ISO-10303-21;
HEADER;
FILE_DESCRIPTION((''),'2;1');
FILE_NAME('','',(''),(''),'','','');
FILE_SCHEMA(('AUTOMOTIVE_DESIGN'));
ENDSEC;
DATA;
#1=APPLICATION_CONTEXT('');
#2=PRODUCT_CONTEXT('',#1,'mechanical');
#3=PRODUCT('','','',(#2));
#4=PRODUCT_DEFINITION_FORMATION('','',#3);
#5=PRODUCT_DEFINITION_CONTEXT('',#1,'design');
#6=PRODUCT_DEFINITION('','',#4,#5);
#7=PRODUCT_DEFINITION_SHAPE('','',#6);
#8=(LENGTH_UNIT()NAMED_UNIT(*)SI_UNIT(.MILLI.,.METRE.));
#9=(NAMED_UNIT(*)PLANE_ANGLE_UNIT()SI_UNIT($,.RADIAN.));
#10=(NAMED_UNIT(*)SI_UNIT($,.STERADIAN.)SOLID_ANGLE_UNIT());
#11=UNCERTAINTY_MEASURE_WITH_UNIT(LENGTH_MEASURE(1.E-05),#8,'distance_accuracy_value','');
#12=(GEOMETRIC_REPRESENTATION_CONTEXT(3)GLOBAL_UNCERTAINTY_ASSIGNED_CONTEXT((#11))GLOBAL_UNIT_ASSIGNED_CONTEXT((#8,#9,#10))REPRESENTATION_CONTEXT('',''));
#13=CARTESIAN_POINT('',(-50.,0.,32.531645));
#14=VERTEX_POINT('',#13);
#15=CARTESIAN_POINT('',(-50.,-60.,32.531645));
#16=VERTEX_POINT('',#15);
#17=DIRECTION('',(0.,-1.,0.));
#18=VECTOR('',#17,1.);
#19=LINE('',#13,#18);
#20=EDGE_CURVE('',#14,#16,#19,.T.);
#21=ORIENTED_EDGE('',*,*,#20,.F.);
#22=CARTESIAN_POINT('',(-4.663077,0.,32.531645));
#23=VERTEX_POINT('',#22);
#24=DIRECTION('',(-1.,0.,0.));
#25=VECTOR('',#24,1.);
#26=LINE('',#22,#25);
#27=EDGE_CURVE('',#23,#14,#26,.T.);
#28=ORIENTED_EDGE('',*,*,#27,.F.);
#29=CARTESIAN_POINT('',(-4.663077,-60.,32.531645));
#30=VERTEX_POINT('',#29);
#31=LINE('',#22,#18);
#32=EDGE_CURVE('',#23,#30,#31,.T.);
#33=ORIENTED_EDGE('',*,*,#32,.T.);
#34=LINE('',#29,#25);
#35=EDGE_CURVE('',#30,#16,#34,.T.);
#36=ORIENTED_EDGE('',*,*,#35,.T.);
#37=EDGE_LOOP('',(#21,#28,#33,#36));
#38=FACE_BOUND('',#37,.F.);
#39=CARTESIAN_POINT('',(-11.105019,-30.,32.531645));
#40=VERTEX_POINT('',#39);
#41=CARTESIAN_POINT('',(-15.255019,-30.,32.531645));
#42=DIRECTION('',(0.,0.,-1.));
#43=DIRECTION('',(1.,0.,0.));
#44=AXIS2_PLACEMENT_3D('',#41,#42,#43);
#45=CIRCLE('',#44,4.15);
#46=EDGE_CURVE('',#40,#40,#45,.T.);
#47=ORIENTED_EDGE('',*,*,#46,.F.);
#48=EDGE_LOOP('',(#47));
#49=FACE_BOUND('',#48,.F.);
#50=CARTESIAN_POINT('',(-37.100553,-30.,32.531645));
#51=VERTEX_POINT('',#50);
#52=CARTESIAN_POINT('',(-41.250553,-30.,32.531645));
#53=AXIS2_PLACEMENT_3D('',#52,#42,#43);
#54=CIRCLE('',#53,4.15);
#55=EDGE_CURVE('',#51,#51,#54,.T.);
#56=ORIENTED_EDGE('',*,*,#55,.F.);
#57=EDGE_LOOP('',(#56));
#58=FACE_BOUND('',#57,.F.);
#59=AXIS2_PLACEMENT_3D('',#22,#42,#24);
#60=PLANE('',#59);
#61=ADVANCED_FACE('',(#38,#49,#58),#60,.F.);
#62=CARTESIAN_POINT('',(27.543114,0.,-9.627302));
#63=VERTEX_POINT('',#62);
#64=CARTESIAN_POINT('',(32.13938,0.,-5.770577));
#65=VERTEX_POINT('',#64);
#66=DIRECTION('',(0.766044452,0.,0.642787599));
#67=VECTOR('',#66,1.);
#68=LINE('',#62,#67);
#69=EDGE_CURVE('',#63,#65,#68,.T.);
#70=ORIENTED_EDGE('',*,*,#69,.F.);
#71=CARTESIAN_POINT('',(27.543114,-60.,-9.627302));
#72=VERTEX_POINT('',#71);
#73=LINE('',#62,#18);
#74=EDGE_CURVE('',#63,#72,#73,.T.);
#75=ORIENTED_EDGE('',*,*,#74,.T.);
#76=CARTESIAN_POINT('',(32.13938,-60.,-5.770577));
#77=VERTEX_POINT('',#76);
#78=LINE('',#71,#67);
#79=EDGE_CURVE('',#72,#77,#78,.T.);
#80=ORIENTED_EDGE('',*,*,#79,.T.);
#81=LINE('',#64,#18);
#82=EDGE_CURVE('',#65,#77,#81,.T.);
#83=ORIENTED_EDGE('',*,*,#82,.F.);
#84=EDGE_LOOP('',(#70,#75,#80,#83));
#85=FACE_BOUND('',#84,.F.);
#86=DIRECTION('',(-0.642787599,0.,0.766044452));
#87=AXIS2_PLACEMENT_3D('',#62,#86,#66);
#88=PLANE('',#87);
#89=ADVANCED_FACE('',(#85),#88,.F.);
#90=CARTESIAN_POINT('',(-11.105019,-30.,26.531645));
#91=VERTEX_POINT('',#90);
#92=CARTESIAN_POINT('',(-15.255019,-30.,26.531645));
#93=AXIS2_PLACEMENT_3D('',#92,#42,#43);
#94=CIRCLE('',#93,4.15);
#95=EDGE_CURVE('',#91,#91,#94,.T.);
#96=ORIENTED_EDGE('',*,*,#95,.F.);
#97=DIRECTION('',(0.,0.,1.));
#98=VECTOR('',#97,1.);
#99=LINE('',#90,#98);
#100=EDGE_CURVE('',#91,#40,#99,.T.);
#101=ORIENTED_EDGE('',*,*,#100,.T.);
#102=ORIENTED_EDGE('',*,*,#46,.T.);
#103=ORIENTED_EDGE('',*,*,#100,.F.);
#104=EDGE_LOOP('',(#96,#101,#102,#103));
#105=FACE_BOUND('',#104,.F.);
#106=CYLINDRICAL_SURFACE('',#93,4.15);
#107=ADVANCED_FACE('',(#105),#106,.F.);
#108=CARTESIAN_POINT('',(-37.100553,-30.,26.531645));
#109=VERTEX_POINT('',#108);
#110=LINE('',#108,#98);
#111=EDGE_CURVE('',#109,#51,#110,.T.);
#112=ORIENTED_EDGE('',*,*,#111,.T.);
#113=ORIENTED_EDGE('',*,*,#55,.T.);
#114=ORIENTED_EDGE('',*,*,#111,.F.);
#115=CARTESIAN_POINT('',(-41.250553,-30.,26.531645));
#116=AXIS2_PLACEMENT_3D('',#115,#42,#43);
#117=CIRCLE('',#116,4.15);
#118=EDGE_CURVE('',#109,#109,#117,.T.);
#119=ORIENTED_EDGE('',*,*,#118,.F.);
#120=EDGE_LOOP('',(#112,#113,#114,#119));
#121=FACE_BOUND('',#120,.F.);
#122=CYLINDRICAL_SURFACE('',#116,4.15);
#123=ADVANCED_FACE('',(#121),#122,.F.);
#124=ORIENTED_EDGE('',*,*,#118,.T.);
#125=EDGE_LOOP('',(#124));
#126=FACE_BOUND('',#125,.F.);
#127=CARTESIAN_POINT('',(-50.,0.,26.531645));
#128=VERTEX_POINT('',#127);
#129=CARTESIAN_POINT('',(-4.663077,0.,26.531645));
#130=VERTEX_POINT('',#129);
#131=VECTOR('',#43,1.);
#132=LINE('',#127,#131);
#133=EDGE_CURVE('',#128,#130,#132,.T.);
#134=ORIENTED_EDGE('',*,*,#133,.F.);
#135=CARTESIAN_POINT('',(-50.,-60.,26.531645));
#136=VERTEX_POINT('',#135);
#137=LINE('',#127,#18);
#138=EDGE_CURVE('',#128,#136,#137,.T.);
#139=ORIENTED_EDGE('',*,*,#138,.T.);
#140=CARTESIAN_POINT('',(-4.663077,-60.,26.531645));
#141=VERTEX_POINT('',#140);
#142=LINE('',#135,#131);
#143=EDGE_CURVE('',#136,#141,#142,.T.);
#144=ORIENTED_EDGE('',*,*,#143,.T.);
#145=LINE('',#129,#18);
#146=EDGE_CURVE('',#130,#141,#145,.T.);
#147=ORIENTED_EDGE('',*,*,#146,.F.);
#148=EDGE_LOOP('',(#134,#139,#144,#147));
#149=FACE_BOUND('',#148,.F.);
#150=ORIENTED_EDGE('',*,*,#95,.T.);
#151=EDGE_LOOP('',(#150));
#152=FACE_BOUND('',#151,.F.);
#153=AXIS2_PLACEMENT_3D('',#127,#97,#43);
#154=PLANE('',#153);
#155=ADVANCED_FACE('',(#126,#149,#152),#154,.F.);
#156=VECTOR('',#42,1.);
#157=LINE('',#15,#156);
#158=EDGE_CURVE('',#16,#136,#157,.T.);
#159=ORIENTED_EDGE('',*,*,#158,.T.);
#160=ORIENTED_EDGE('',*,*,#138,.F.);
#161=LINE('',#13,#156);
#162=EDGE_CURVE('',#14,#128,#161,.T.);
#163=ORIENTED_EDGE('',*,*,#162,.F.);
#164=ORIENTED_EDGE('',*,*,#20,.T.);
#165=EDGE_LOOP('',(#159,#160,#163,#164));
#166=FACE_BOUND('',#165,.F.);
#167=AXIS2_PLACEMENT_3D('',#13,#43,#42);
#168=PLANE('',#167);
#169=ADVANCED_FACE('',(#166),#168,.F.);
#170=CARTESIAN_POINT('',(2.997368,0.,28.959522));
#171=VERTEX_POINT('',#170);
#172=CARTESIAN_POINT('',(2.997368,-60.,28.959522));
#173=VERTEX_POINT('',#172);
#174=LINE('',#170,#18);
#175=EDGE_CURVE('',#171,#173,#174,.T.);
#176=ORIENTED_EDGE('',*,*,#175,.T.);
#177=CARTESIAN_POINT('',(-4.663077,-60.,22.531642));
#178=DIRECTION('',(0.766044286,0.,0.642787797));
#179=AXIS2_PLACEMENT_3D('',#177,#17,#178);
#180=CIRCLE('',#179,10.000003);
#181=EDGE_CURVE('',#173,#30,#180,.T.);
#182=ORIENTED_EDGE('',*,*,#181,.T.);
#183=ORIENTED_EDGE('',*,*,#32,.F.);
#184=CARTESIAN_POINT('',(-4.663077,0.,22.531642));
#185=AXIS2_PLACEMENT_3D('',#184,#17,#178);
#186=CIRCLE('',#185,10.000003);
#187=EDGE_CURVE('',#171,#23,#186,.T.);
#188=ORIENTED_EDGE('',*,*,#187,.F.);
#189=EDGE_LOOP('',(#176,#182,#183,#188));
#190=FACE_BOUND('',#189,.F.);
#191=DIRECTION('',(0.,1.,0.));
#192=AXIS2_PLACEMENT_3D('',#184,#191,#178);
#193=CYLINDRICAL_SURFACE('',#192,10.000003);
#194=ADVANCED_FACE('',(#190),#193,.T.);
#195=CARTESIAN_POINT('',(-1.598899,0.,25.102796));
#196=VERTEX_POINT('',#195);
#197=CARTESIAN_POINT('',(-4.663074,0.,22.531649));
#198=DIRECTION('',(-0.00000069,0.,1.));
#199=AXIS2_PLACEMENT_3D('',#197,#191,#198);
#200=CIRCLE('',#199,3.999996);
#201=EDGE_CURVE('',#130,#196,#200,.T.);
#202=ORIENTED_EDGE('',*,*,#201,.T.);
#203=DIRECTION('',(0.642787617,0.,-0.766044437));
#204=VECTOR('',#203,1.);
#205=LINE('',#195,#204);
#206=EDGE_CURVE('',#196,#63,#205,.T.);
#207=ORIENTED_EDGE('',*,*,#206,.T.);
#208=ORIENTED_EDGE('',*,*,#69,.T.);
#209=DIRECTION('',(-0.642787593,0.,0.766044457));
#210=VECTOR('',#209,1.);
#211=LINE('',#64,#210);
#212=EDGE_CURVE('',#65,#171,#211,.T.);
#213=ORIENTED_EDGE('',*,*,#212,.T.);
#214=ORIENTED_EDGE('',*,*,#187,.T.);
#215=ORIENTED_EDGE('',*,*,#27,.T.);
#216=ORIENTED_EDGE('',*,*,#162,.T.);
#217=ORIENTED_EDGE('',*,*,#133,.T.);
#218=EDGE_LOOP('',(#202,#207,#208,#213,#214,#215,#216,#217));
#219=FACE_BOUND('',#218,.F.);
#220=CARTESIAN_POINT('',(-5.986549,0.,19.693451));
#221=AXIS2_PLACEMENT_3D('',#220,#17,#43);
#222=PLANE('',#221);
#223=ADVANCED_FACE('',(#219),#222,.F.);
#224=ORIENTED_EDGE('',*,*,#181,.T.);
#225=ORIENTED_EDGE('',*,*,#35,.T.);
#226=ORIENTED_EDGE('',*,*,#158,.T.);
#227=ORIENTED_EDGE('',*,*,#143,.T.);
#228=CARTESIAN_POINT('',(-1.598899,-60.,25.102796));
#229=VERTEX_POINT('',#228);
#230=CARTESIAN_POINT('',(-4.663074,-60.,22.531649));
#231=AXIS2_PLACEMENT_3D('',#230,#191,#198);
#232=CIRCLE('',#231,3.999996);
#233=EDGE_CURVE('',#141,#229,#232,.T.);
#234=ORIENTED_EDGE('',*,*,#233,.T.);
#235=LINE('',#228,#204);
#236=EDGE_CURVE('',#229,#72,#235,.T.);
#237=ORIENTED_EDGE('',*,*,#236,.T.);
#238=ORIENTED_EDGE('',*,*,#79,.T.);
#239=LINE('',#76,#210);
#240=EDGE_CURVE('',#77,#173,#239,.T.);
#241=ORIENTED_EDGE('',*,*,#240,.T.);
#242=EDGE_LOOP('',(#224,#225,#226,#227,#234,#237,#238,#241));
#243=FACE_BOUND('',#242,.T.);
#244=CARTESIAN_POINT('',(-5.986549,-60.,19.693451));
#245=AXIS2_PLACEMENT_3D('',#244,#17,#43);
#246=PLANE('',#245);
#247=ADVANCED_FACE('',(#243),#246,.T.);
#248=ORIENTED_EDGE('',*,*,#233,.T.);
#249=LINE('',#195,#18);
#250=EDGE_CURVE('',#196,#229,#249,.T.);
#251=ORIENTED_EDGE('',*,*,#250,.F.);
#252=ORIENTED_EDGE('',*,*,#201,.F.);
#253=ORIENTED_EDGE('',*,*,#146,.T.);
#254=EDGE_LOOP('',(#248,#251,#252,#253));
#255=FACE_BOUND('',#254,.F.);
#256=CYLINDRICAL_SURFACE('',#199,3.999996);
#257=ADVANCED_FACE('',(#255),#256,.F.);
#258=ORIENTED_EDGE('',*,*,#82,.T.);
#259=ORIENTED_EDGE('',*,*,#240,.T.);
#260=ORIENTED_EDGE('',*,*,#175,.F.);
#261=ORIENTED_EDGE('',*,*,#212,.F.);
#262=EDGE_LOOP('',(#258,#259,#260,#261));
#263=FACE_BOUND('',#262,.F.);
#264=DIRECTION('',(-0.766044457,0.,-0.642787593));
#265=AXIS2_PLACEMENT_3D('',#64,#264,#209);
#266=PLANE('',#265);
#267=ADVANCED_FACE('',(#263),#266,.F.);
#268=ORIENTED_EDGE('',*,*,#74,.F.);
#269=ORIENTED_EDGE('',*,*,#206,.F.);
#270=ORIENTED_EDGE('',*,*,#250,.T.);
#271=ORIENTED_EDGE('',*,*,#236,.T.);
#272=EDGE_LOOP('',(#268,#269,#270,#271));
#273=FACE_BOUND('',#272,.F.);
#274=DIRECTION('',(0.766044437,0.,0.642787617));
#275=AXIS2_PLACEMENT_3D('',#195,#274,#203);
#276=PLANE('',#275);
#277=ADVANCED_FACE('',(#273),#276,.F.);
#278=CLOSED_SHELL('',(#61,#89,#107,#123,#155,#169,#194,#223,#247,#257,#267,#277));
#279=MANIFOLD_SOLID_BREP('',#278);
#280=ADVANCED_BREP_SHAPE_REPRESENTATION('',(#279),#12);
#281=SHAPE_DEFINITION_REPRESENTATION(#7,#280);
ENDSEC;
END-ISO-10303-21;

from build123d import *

# Parameters (mm, degrees)
F1_DEPTH = 60
F2_R     = 4.15
F3_DEPTH = 25


with BuildPart() as f1:
    # F0 (on Front) → F1 (new body)
    with BuildSketch(Plane.XZ):
        with BuildLine():
            Line((-4.663077, 32.531645), (-50, 32.531645))
            Line((-50, 32.531645), (-50, 26.531645))
            Line((-50, 26.531645), (-4.663077, 26.531645))
            ThreePointArc((-4.663077, 26.531645), (-2.972604, 26.156877), (-1.598899, 25.102796))
            Line((-1.598899, 25.102796), (27.543114, -9.627302))
            Line((27.543114, -9.627302), (32.13938, -5.770577))
            Line((32.13938, -5.770577), (2.997368, 28.959522))
            ThreePointArc((2.997368, 28.959522), (-0.436894, 31.594723), (-4.663077, 32.531645))
        make_face()
    extrude(amount=F1_DEPTH)

    # F2 (on face) → F3 (cut)
    with BuildSketch(Plane(origin=(0, 0, 26.531645), x_dir=(1, 0, 0), z_dir=(0, 0, -1))):
        with Locations((-41.250553, 30)):
            Circle(F2_R)
        with Locations((-15.255019, 30)):
            Circle(F2_R)
    extrude(amount=-F3_DEPTH, mode=Mode.SUBTRACT)


solid = f1.part
